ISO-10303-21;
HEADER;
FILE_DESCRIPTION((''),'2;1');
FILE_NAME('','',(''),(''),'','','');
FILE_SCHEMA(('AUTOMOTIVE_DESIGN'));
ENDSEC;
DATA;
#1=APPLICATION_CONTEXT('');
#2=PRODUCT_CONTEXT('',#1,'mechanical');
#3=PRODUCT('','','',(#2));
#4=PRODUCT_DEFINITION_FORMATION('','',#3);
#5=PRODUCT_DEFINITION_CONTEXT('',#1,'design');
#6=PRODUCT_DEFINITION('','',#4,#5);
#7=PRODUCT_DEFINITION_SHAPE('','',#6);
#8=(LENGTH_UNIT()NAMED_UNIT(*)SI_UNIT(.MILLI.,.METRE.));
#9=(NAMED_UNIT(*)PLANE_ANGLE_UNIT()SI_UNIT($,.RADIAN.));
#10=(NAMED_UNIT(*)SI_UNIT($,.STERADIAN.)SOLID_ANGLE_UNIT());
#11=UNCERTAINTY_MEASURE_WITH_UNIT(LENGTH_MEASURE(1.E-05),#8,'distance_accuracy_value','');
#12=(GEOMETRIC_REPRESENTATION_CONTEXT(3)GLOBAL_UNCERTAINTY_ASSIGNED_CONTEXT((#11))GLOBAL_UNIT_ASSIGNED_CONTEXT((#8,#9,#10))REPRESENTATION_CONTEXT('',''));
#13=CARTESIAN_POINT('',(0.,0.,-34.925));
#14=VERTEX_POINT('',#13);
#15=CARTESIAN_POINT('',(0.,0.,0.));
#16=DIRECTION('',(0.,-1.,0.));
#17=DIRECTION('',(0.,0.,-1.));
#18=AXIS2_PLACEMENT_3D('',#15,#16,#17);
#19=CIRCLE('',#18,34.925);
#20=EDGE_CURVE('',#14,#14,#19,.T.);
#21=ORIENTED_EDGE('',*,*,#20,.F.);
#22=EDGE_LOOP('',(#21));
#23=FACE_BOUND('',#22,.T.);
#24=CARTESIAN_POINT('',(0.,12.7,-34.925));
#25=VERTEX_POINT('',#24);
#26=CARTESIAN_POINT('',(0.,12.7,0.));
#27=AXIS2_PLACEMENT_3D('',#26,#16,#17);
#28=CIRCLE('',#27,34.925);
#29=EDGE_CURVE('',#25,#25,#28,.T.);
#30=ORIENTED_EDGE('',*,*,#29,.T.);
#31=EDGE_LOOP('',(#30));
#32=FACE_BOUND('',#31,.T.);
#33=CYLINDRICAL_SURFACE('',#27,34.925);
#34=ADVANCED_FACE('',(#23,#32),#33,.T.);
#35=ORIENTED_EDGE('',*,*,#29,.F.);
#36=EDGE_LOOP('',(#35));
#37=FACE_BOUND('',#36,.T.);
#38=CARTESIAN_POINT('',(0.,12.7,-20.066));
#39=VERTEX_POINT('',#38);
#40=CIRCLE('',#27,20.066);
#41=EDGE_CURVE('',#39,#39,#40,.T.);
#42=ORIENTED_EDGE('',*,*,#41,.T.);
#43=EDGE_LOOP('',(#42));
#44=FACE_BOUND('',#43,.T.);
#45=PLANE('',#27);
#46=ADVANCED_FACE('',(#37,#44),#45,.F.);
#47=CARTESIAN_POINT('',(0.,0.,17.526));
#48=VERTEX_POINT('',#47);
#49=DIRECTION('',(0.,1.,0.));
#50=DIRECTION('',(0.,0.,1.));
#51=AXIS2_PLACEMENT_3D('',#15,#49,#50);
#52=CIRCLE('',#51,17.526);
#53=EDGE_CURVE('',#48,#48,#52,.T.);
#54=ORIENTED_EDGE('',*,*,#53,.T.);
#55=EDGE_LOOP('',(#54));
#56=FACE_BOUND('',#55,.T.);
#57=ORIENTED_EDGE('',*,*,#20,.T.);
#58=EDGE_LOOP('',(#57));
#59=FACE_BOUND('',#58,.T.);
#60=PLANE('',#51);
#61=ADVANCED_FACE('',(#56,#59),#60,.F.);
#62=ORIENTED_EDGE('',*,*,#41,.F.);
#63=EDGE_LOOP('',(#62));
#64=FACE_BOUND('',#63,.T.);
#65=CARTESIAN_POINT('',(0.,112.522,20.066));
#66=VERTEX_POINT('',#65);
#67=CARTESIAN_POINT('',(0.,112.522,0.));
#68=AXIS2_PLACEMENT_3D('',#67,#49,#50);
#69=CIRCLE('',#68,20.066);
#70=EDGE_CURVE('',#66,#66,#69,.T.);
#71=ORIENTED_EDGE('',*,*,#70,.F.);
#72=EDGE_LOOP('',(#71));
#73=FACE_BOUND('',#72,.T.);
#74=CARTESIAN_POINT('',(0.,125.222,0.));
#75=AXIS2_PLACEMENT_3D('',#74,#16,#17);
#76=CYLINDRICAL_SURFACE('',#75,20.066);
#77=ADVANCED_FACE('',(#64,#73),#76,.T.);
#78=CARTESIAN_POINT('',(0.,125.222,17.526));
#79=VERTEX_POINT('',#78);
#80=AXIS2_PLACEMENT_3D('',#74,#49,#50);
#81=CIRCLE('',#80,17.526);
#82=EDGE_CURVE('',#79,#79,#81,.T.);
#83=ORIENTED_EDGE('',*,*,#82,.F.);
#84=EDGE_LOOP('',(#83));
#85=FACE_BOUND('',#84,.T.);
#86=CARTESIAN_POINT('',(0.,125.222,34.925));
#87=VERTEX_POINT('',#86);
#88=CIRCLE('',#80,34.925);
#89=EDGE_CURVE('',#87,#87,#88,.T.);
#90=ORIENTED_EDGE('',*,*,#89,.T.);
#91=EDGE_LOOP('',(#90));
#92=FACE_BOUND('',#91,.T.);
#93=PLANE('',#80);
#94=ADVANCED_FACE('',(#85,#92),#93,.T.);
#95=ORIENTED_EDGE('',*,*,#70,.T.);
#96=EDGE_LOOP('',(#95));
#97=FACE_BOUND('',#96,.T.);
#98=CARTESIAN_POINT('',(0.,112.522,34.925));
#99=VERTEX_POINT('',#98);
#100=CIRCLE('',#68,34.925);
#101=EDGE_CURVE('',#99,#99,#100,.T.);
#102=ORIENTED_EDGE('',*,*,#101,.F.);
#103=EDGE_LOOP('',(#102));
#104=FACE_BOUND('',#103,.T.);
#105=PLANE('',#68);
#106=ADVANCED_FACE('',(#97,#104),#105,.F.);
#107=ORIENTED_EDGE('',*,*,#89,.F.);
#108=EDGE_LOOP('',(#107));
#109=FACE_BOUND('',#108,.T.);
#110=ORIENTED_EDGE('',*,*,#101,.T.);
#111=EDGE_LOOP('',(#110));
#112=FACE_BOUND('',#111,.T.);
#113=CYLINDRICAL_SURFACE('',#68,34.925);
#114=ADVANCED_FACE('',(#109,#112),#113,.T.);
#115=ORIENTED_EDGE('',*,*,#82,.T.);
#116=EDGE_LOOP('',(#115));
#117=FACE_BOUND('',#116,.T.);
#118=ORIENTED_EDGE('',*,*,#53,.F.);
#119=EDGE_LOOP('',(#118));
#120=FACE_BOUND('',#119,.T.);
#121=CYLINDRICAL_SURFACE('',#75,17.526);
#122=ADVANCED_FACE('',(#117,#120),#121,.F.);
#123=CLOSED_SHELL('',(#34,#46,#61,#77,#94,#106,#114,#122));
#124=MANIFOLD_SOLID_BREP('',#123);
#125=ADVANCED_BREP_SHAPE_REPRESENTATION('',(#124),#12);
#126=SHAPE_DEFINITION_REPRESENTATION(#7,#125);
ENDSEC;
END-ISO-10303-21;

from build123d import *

# Parameters (mm, degrees)
SKETCH1_R      = 20.066
SKETCH1_R_2    = 17.526
EXTRUDE1_DEPTH = 125.222
SKETCH2_R      = 34.925
SKETCH2_R_2    = 17.526
EXTRUDE2_DEPTH = 12.7
SKETCH3_R      = 34.925
SKETCH3_R_2    = 17.526
EXTRUDE3_DEPTH = 12.7


with BuildPart() as part:
    # Sketch1 → Extrude1 (new body)
    with BuildSketch(Plane(origin=(0, 0, 0), x_dir=(1, 0, 0), z_dir=(0, 1, 0))):
        Circle(SKETCH1_R)
        Circle(SKETCH1_R_2, mode=Mode.SUBTRACT)
    extrude(amount=EXTRUDE1_DEPTH)

    # Sketch2 → Extrude2 (add)
    with BuildSketch(Plane(origin=(0, 125.222, 0), x_dir=(1, 0, 0), z_dir=(0, 1, 0))):
        Circle(SKETCH2_R)
        Circle(SKETCH2_R_2, mode=Mode.SUBTRACT)
    extrude(amount=-EXTRUDE2_DEPTH)

    # Sketch3 → Extrude3 (add)
    with BuildSketch(Plane.XZ):
        Circle(SKETCH3_R)
        Circle(SKETCH3_R_2, mode=Mode.SUBTRACT)
    extrude(amount=-EXTRUDE3_DEPTH)


solid = part.part
